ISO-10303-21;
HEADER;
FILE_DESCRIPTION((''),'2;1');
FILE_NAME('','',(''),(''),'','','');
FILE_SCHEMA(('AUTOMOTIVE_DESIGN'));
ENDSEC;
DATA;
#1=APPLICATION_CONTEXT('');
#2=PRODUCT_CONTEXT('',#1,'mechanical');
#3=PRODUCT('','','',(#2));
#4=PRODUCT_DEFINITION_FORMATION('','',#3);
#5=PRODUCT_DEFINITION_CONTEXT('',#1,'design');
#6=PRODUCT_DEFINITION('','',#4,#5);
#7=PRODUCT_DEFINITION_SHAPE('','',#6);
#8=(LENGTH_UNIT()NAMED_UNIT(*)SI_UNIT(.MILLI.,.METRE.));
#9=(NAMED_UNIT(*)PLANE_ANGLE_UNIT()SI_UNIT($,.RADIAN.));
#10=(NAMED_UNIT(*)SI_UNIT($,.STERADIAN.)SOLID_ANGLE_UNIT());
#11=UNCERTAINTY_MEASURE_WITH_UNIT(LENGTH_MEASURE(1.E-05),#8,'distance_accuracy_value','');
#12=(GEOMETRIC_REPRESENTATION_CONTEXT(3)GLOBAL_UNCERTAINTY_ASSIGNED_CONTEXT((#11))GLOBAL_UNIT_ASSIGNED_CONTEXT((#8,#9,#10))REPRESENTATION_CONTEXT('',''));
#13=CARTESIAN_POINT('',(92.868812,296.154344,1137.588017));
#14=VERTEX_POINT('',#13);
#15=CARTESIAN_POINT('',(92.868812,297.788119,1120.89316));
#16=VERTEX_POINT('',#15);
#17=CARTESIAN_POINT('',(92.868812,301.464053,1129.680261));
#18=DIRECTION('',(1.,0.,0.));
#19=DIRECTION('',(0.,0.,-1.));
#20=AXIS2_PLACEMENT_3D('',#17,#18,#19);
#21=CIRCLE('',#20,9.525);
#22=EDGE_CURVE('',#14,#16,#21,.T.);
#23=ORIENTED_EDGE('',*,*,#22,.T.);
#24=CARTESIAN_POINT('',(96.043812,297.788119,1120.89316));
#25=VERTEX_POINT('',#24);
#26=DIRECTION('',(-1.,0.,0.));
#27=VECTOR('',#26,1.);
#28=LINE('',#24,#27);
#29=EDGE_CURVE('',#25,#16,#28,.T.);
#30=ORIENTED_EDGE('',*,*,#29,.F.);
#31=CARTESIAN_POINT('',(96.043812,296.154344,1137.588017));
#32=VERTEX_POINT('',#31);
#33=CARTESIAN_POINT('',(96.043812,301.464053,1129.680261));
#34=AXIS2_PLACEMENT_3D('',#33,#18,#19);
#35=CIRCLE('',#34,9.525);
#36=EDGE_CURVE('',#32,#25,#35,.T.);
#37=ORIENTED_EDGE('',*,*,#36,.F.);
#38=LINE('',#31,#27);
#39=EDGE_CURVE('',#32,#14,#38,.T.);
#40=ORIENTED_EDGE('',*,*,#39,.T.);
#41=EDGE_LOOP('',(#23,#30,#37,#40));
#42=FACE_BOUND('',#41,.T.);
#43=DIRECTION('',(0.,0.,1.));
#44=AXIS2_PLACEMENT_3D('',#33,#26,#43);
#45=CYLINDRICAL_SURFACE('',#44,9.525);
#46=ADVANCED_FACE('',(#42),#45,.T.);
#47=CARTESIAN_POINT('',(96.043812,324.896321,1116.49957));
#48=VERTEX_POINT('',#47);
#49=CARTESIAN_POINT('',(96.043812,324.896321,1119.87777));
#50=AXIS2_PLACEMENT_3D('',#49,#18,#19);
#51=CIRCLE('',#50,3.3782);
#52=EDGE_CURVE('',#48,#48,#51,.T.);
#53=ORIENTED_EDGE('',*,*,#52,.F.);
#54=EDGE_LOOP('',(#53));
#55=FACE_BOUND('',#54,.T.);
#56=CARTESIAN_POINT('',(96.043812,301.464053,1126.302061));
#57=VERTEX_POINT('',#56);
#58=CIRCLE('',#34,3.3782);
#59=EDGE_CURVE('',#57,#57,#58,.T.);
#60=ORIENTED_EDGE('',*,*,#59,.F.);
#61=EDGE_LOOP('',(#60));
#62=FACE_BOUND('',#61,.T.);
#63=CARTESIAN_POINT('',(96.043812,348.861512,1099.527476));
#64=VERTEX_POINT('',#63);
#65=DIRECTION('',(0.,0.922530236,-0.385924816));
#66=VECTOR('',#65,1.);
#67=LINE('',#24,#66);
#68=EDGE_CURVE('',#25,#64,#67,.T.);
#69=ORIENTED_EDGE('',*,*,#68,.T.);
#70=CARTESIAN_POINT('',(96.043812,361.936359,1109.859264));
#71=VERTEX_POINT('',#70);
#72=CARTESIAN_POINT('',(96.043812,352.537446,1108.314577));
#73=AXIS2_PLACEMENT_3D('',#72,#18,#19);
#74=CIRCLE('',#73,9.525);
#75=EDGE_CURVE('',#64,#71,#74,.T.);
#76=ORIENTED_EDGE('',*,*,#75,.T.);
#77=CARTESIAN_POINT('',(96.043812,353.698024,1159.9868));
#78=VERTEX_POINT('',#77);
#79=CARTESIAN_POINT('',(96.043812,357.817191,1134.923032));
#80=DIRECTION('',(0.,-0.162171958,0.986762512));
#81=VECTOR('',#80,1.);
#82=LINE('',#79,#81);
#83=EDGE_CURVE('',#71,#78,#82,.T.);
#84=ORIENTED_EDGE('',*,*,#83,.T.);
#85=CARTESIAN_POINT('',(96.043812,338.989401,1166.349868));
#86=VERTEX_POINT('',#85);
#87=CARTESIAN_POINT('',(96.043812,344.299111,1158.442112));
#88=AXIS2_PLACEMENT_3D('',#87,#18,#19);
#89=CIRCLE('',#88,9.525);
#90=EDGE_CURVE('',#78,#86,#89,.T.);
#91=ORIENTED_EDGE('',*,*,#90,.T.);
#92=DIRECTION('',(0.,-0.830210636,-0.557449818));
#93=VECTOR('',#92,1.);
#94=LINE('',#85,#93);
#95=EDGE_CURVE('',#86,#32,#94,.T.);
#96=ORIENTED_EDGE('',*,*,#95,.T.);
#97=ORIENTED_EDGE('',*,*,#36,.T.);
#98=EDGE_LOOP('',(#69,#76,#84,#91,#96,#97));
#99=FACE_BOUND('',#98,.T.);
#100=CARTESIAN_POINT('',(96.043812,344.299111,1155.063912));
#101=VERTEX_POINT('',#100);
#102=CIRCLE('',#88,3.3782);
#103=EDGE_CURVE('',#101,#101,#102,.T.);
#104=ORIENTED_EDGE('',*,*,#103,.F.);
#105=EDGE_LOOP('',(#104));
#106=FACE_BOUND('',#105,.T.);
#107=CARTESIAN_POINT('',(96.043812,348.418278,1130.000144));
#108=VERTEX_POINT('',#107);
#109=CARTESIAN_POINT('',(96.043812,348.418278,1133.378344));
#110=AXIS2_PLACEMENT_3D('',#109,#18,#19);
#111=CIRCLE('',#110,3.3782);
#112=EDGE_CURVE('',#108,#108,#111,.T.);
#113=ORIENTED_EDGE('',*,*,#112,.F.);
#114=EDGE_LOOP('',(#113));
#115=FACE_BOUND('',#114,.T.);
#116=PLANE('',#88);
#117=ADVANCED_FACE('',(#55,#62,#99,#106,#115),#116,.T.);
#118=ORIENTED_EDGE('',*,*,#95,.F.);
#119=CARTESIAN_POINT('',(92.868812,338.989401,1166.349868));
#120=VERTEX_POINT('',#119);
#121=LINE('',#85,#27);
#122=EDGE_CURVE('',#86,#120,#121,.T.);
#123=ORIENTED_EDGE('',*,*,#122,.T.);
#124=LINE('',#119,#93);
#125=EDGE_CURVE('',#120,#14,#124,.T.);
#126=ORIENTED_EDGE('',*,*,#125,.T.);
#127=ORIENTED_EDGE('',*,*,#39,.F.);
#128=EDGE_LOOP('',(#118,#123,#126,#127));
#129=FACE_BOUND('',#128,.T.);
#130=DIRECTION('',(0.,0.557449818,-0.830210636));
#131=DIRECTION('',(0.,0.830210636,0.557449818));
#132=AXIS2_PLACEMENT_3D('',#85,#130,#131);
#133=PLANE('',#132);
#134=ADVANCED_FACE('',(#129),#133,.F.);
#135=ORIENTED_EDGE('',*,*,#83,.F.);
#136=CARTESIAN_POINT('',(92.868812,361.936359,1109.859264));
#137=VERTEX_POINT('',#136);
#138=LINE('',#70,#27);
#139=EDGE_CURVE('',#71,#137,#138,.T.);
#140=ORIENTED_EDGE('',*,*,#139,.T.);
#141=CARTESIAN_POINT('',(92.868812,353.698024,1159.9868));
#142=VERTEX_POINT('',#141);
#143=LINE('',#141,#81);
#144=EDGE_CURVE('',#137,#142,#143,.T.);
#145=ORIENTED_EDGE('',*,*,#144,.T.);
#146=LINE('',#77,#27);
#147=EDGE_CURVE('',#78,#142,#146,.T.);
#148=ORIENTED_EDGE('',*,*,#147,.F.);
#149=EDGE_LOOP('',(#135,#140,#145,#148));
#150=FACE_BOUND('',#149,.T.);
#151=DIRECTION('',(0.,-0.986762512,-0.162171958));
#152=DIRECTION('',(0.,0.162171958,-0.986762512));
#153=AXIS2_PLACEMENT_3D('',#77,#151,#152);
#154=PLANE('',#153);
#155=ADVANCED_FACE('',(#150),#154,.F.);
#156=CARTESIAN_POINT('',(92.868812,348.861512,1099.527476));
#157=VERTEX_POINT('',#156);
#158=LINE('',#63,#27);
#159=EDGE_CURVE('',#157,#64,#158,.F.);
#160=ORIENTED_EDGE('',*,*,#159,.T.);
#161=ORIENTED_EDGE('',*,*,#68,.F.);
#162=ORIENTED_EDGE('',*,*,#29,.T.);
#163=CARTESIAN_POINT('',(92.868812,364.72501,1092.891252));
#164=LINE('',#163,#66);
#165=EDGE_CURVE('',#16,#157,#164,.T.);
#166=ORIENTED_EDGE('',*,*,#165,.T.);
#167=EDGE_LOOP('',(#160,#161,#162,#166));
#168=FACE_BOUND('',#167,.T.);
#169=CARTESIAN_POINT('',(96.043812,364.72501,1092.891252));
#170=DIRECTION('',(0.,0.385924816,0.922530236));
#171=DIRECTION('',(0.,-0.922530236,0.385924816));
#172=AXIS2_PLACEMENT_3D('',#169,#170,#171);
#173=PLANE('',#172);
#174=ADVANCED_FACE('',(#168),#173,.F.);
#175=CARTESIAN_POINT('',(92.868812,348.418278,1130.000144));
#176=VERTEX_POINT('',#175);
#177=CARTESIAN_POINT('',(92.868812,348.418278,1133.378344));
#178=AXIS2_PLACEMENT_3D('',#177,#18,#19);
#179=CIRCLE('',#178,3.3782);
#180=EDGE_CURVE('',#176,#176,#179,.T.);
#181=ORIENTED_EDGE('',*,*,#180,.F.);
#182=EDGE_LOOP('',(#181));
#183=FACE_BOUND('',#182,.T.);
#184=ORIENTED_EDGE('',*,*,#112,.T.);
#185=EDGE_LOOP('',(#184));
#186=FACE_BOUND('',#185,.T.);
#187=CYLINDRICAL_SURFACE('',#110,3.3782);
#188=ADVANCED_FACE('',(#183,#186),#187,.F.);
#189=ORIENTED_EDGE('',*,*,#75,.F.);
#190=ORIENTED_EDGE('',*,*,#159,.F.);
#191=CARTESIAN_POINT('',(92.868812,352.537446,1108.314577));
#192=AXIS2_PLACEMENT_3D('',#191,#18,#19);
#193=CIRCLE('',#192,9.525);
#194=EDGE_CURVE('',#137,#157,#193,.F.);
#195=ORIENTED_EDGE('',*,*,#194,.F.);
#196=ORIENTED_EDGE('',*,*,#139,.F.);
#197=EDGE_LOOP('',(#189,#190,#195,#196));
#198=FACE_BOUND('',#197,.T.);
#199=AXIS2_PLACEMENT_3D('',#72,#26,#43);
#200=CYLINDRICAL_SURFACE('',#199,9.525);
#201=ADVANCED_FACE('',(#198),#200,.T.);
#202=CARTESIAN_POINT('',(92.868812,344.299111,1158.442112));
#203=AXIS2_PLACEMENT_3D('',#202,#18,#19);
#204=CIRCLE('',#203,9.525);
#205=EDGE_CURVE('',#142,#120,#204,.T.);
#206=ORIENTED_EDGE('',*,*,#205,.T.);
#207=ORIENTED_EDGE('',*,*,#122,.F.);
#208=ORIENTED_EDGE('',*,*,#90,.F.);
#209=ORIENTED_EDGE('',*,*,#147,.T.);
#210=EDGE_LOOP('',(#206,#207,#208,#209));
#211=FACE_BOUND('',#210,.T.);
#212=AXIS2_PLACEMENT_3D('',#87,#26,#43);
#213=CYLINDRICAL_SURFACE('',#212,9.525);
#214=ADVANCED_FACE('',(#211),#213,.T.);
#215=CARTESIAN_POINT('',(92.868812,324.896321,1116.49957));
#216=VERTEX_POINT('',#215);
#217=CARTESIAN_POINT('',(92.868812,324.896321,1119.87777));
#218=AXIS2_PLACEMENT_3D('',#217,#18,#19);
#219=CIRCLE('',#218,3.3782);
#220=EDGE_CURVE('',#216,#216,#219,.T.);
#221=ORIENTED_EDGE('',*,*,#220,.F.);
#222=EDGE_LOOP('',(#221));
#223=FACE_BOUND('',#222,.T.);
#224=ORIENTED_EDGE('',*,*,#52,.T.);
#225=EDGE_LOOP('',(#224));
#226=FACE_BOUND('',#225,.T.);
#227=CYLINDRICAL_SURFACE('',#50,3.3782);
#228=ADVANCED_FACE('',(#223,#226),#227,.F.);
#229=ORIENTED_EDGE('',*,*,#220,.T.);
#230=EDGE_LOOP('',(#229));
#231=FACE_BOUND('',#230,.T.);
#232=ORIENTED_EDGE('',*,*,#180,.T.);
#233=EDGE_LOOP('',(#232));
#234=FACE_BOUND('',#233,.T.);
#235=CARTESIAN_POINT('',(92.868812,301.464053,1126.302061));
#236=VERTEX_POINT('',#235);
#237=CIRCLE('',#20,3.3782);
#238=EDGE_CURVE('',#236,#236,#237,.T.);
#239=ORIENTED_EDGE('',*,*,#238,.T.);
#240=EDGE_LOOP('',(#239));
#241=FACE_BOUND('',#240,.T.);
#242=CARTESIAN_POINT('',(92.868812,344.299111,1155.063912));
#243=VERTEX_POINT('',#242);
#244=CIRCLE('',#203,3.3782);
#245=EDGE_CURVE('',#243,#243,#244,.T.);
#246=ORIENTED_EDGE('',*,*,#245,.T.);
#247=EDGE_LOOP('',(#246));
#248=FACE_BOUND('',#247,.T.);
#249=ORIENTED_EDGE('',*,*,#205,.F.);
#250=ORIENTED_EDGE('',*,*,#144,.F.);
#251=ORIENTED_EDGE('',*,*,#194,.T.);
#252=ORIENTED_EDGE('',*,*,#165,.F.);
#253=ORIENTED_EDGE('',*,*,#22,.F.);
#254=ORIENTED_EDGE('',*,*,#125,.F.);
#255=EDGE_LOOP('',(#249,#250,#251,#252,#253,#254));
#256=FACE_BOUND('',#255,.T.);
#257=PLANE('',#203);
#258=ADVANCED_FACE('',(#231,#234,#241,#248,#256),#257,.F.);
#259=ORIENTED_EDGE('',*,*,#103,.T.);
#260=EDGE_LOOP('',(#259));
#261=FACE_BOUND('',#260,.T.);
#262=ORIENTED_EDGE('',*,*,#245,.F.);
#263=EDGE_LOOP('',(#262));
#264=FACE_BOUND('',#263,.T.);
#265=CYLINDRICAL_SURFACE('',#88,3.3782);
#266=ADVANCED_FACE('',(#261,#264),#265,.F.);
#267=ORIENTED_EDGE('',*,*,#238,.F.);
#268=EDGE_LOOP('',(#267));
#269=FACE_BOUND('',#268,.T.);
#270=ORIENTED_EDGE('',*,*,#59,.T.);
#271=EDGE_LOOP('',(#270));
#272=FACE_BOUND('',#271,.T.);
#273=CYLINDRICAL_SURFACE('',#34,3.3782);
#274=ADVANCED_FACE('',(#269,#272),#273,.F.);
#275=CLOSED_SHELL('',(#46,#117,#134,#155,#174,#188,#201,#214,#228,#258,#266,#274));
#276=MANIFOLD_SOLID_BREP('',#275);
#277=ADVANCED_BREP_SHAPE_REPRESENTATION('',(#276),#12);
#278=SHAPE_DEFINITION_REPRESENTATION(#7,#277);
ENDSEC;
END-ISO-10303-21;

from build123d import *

# Parameters (mm, degrees)
BOSS_EXTRUDE1_START     = 92.868812
BOSS_EXTRUDE1_DEPTH     = 3.175
FILLET1_R               = 9.525
F_1_4_CLEARANCE_HOLE1_D = 6.7564


with BuildPart() as part:
    # Sketch2 → Boss-Extrude1 (new body)
    with BuildSketch(Plane(origin=(0, 0, 0), x_dir=(0, 0, -1), z_dir=(1, 0, 0)).offset(BOSS_EXTRUDE1_START)):
        with BuildLine():
            Line((-1159.986800073, 353.698023512), (-1134.923032257, 357.817191252))
            Line((-1134.923032257, 357.817191252), (-1092.891252047, 364.725009516))
            Line((-1092.891252047, 364.725009516), (-1111.090669966, 321.220387339))
            Line((-1111.090669966, 321.220387339), (-1120.893160292, 297.788119344))
            ThreePointArc((-1120.893160292, 297.788119344), (-1128.752566193, 291.984337623), (-1137.588017099, 296.1543437))
            Line((-1137.588017099, 296.1543437), (-1166.34986848, 338.989401064))
            ThreePointArc((-1166.34986848, 338.989401064), (-1167.184141053, 348.080982608), (-1159.986800073, 353.698023512))
        make_face()
    extrude(amount=BOSS_EXTRUDE1_DEPTH)

    # Fillet1
    fillet1_edges = [part.edges().sort_by_distance(p)[0] for p in [
        (94.456312, 364.725009516, 1092.891252047),
    ]]
    fillet(fillet1_edges, radius=FILLET1_R)

    # 1/4 Clearance Hole1 (through all)
    with Locations(Plane(origin=(96.043812484, 0, 0), x_dir=(0, 0, -1), z_dir=(1, 0, 0))):
        with Locations((-1133.378344355, 348.418278321), (-1158.442112171, 344.299110581), (-1129.68026079, 301.464053216), (-1119.877770464, 324.896321212)):
            Hole(F_1_4_CLEARANCE_HOLE1_D / 2)


solid = part.part
